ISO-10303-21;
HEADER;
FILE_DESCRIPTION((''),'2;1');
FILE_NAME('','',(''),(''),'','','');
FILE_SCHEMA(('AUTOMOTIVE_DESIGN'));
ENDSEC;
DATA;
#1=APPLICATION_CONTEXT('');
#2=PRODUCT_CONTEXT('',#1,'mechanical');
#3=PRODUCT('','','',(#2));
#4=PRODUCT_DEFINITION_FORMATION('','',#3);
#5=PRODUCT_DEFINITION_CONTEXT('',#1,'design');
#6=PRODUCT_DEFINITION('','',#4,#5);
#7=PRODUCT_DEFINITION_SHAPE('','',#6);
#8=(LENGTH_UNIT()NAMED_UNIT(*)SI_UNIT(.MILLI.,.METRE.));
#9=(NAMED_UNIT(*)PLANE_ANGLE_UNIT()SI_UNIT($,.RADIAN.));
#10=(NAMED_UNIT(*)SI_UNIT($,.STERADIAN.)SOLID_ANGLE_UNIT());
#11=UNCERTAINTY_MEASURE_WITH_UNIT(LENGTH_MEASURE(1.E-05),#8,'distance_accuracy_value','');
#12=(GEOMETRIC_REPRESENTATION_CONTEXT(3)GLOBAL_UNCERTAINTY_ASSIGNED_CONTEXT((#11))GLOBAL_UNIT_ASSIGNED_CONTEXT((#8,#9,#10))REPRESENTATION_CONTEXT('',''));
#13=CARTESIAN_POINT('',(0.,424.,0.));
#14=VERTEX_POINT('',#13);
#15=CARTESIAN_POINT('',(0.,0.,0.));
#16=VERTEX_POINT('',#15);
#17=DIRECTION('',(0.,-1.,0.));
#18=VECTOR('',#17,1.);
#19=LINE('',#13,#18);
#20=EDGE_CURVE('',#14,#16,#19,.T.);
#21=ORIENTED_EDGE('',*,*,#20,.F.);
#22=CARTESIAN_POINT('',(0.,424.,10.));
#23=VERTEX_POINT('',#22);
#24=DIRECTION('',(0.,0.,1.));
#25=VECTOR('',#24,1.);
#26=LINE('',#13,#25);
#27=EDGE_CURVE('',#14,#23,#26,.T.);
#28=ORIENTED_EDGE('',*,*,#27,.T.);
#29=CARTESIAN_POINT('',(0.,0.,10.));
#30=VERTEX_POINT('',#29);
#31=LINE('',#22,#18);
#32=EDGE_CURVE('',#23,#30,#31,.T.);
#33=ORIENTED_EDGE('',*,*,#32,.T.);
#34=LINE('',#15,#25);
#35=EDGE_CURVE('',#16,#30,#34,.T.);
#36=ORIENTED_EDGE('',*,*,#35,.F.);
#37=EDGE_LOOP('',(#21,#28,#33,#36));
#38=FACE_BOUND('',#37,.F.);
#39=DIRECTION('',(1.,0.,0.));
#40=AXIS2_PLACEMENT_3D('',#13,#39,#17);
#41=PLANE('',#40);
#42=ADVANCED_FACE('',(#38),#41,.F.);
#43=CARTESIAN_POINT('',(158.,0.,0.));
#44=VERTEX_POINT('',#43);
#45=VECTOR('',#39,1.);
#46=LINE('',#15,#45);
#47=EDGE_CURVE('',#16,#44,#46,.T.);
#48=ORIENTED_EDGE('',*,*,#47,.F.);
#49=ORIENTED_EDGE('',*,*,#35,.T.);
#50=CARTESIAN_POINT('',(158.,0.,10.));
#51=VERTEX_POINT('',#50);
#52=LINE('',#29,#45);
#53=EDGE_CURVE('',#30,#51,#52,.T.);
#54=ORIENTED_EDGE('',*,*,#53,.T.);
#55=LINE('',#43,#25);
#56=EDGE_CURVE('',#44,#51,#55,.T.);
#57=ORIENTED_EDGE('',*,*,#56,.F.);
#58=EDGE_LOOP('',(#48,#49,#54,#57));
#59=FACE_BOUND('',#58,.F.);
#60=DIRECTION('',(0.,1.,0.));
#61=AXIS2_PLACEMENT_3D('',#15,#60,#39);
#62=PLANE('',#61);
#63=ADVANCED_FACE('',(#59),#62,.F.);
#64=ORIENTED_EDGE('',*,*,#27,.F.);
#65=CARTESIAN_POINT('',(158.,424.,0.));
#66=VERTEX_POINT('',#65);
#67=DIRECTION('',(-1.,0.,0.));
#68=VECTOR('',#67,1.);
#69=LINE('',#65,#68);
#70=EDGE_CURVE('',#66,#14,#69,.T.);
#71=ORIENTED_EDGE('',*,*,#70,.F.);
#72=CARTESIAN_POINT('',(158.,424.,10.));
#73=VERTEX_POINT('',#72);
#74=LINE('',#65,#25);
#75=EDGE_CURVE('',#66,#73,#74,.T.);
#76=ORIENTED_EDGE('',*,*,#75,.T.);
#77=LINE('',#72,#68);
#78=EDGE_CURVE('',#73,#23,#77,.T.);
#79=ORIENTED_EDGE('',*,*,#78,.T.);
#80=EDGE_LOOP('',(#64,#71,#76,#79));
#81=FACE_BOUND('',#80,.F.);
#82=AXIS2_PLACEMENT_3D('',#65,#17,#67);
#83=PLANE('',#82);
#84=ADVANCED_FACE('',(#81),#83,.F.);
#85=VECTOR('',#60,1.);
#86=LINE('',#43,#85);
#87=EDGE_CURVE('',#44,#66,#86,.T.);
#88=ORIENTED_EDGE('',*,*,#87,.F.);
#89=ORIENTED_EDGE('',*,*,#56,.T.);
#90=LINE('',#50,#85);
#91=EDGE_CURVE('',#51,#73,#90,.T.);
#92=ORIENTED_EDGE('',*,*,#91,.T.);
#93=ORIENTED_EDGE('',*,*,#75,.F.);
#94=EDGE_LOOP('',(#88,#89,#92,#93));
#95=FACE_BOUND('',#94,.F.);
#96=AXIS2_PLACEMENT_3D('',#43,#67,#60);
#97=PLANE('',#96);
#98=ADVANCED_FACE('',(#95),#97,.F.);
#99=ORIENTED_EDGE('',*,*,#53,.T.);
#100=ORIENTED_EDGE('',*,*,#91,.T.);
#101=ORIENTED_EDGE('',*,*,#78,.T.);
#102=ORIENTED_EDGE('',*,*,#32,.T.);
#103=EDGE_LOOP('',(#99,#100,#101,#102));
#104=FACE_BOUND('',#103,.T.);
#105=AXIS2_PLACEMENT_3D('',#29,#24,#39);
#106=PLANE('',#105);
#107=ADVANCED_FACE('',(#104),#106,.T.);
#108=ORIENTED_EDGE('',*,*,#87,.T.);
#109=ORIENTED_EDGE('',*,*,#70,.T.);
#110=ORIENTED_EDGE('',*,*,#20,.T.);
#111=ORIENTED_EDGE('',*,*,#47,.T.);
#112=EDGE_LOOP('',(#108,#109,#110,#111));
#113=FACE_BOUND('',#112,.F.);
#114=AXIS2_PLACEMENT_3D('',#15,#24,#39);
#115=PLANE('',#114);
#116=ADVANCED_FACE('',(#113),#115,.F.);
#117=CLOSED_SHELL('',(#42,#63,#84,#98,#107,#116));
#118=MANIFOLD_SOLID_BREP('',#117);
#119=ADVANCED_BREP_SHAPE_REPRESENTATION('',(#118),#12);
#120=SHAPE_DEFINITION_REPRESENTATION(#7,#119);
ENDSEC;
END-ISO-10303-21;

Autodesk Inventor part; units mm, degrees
ref_plane "YZ Plane" through (0, 0, 0) normal (1, 0, 0) x (0, 1, 0)
ref_plane "XZ Plane" through (0, 0, 0) normal (0, 1, 0) x (-1, 0, 0)
ref_plane "XY Plane" through (0, 0, 0) normal (0, 0, 1) x (1, 0, 0)
sketch "Sketch1" plane through (0, 0, 0) normal (0, 0, 1) x (1, 0, 0)
  line L0 (0, 0) -> (158, 0)
  line L1 (158, 0) -> (158, 424)
  line L2 (158, 424) -> (0, 424)
  line L3 (0, 424) -> (0, 0)
  dimension "d0" = 158
  dimension "d1" = 424
extrude "Extrusion1" add sketch "Sketch1" along normal blind 10
properties part number "TA001" material "ABS Plastic"
